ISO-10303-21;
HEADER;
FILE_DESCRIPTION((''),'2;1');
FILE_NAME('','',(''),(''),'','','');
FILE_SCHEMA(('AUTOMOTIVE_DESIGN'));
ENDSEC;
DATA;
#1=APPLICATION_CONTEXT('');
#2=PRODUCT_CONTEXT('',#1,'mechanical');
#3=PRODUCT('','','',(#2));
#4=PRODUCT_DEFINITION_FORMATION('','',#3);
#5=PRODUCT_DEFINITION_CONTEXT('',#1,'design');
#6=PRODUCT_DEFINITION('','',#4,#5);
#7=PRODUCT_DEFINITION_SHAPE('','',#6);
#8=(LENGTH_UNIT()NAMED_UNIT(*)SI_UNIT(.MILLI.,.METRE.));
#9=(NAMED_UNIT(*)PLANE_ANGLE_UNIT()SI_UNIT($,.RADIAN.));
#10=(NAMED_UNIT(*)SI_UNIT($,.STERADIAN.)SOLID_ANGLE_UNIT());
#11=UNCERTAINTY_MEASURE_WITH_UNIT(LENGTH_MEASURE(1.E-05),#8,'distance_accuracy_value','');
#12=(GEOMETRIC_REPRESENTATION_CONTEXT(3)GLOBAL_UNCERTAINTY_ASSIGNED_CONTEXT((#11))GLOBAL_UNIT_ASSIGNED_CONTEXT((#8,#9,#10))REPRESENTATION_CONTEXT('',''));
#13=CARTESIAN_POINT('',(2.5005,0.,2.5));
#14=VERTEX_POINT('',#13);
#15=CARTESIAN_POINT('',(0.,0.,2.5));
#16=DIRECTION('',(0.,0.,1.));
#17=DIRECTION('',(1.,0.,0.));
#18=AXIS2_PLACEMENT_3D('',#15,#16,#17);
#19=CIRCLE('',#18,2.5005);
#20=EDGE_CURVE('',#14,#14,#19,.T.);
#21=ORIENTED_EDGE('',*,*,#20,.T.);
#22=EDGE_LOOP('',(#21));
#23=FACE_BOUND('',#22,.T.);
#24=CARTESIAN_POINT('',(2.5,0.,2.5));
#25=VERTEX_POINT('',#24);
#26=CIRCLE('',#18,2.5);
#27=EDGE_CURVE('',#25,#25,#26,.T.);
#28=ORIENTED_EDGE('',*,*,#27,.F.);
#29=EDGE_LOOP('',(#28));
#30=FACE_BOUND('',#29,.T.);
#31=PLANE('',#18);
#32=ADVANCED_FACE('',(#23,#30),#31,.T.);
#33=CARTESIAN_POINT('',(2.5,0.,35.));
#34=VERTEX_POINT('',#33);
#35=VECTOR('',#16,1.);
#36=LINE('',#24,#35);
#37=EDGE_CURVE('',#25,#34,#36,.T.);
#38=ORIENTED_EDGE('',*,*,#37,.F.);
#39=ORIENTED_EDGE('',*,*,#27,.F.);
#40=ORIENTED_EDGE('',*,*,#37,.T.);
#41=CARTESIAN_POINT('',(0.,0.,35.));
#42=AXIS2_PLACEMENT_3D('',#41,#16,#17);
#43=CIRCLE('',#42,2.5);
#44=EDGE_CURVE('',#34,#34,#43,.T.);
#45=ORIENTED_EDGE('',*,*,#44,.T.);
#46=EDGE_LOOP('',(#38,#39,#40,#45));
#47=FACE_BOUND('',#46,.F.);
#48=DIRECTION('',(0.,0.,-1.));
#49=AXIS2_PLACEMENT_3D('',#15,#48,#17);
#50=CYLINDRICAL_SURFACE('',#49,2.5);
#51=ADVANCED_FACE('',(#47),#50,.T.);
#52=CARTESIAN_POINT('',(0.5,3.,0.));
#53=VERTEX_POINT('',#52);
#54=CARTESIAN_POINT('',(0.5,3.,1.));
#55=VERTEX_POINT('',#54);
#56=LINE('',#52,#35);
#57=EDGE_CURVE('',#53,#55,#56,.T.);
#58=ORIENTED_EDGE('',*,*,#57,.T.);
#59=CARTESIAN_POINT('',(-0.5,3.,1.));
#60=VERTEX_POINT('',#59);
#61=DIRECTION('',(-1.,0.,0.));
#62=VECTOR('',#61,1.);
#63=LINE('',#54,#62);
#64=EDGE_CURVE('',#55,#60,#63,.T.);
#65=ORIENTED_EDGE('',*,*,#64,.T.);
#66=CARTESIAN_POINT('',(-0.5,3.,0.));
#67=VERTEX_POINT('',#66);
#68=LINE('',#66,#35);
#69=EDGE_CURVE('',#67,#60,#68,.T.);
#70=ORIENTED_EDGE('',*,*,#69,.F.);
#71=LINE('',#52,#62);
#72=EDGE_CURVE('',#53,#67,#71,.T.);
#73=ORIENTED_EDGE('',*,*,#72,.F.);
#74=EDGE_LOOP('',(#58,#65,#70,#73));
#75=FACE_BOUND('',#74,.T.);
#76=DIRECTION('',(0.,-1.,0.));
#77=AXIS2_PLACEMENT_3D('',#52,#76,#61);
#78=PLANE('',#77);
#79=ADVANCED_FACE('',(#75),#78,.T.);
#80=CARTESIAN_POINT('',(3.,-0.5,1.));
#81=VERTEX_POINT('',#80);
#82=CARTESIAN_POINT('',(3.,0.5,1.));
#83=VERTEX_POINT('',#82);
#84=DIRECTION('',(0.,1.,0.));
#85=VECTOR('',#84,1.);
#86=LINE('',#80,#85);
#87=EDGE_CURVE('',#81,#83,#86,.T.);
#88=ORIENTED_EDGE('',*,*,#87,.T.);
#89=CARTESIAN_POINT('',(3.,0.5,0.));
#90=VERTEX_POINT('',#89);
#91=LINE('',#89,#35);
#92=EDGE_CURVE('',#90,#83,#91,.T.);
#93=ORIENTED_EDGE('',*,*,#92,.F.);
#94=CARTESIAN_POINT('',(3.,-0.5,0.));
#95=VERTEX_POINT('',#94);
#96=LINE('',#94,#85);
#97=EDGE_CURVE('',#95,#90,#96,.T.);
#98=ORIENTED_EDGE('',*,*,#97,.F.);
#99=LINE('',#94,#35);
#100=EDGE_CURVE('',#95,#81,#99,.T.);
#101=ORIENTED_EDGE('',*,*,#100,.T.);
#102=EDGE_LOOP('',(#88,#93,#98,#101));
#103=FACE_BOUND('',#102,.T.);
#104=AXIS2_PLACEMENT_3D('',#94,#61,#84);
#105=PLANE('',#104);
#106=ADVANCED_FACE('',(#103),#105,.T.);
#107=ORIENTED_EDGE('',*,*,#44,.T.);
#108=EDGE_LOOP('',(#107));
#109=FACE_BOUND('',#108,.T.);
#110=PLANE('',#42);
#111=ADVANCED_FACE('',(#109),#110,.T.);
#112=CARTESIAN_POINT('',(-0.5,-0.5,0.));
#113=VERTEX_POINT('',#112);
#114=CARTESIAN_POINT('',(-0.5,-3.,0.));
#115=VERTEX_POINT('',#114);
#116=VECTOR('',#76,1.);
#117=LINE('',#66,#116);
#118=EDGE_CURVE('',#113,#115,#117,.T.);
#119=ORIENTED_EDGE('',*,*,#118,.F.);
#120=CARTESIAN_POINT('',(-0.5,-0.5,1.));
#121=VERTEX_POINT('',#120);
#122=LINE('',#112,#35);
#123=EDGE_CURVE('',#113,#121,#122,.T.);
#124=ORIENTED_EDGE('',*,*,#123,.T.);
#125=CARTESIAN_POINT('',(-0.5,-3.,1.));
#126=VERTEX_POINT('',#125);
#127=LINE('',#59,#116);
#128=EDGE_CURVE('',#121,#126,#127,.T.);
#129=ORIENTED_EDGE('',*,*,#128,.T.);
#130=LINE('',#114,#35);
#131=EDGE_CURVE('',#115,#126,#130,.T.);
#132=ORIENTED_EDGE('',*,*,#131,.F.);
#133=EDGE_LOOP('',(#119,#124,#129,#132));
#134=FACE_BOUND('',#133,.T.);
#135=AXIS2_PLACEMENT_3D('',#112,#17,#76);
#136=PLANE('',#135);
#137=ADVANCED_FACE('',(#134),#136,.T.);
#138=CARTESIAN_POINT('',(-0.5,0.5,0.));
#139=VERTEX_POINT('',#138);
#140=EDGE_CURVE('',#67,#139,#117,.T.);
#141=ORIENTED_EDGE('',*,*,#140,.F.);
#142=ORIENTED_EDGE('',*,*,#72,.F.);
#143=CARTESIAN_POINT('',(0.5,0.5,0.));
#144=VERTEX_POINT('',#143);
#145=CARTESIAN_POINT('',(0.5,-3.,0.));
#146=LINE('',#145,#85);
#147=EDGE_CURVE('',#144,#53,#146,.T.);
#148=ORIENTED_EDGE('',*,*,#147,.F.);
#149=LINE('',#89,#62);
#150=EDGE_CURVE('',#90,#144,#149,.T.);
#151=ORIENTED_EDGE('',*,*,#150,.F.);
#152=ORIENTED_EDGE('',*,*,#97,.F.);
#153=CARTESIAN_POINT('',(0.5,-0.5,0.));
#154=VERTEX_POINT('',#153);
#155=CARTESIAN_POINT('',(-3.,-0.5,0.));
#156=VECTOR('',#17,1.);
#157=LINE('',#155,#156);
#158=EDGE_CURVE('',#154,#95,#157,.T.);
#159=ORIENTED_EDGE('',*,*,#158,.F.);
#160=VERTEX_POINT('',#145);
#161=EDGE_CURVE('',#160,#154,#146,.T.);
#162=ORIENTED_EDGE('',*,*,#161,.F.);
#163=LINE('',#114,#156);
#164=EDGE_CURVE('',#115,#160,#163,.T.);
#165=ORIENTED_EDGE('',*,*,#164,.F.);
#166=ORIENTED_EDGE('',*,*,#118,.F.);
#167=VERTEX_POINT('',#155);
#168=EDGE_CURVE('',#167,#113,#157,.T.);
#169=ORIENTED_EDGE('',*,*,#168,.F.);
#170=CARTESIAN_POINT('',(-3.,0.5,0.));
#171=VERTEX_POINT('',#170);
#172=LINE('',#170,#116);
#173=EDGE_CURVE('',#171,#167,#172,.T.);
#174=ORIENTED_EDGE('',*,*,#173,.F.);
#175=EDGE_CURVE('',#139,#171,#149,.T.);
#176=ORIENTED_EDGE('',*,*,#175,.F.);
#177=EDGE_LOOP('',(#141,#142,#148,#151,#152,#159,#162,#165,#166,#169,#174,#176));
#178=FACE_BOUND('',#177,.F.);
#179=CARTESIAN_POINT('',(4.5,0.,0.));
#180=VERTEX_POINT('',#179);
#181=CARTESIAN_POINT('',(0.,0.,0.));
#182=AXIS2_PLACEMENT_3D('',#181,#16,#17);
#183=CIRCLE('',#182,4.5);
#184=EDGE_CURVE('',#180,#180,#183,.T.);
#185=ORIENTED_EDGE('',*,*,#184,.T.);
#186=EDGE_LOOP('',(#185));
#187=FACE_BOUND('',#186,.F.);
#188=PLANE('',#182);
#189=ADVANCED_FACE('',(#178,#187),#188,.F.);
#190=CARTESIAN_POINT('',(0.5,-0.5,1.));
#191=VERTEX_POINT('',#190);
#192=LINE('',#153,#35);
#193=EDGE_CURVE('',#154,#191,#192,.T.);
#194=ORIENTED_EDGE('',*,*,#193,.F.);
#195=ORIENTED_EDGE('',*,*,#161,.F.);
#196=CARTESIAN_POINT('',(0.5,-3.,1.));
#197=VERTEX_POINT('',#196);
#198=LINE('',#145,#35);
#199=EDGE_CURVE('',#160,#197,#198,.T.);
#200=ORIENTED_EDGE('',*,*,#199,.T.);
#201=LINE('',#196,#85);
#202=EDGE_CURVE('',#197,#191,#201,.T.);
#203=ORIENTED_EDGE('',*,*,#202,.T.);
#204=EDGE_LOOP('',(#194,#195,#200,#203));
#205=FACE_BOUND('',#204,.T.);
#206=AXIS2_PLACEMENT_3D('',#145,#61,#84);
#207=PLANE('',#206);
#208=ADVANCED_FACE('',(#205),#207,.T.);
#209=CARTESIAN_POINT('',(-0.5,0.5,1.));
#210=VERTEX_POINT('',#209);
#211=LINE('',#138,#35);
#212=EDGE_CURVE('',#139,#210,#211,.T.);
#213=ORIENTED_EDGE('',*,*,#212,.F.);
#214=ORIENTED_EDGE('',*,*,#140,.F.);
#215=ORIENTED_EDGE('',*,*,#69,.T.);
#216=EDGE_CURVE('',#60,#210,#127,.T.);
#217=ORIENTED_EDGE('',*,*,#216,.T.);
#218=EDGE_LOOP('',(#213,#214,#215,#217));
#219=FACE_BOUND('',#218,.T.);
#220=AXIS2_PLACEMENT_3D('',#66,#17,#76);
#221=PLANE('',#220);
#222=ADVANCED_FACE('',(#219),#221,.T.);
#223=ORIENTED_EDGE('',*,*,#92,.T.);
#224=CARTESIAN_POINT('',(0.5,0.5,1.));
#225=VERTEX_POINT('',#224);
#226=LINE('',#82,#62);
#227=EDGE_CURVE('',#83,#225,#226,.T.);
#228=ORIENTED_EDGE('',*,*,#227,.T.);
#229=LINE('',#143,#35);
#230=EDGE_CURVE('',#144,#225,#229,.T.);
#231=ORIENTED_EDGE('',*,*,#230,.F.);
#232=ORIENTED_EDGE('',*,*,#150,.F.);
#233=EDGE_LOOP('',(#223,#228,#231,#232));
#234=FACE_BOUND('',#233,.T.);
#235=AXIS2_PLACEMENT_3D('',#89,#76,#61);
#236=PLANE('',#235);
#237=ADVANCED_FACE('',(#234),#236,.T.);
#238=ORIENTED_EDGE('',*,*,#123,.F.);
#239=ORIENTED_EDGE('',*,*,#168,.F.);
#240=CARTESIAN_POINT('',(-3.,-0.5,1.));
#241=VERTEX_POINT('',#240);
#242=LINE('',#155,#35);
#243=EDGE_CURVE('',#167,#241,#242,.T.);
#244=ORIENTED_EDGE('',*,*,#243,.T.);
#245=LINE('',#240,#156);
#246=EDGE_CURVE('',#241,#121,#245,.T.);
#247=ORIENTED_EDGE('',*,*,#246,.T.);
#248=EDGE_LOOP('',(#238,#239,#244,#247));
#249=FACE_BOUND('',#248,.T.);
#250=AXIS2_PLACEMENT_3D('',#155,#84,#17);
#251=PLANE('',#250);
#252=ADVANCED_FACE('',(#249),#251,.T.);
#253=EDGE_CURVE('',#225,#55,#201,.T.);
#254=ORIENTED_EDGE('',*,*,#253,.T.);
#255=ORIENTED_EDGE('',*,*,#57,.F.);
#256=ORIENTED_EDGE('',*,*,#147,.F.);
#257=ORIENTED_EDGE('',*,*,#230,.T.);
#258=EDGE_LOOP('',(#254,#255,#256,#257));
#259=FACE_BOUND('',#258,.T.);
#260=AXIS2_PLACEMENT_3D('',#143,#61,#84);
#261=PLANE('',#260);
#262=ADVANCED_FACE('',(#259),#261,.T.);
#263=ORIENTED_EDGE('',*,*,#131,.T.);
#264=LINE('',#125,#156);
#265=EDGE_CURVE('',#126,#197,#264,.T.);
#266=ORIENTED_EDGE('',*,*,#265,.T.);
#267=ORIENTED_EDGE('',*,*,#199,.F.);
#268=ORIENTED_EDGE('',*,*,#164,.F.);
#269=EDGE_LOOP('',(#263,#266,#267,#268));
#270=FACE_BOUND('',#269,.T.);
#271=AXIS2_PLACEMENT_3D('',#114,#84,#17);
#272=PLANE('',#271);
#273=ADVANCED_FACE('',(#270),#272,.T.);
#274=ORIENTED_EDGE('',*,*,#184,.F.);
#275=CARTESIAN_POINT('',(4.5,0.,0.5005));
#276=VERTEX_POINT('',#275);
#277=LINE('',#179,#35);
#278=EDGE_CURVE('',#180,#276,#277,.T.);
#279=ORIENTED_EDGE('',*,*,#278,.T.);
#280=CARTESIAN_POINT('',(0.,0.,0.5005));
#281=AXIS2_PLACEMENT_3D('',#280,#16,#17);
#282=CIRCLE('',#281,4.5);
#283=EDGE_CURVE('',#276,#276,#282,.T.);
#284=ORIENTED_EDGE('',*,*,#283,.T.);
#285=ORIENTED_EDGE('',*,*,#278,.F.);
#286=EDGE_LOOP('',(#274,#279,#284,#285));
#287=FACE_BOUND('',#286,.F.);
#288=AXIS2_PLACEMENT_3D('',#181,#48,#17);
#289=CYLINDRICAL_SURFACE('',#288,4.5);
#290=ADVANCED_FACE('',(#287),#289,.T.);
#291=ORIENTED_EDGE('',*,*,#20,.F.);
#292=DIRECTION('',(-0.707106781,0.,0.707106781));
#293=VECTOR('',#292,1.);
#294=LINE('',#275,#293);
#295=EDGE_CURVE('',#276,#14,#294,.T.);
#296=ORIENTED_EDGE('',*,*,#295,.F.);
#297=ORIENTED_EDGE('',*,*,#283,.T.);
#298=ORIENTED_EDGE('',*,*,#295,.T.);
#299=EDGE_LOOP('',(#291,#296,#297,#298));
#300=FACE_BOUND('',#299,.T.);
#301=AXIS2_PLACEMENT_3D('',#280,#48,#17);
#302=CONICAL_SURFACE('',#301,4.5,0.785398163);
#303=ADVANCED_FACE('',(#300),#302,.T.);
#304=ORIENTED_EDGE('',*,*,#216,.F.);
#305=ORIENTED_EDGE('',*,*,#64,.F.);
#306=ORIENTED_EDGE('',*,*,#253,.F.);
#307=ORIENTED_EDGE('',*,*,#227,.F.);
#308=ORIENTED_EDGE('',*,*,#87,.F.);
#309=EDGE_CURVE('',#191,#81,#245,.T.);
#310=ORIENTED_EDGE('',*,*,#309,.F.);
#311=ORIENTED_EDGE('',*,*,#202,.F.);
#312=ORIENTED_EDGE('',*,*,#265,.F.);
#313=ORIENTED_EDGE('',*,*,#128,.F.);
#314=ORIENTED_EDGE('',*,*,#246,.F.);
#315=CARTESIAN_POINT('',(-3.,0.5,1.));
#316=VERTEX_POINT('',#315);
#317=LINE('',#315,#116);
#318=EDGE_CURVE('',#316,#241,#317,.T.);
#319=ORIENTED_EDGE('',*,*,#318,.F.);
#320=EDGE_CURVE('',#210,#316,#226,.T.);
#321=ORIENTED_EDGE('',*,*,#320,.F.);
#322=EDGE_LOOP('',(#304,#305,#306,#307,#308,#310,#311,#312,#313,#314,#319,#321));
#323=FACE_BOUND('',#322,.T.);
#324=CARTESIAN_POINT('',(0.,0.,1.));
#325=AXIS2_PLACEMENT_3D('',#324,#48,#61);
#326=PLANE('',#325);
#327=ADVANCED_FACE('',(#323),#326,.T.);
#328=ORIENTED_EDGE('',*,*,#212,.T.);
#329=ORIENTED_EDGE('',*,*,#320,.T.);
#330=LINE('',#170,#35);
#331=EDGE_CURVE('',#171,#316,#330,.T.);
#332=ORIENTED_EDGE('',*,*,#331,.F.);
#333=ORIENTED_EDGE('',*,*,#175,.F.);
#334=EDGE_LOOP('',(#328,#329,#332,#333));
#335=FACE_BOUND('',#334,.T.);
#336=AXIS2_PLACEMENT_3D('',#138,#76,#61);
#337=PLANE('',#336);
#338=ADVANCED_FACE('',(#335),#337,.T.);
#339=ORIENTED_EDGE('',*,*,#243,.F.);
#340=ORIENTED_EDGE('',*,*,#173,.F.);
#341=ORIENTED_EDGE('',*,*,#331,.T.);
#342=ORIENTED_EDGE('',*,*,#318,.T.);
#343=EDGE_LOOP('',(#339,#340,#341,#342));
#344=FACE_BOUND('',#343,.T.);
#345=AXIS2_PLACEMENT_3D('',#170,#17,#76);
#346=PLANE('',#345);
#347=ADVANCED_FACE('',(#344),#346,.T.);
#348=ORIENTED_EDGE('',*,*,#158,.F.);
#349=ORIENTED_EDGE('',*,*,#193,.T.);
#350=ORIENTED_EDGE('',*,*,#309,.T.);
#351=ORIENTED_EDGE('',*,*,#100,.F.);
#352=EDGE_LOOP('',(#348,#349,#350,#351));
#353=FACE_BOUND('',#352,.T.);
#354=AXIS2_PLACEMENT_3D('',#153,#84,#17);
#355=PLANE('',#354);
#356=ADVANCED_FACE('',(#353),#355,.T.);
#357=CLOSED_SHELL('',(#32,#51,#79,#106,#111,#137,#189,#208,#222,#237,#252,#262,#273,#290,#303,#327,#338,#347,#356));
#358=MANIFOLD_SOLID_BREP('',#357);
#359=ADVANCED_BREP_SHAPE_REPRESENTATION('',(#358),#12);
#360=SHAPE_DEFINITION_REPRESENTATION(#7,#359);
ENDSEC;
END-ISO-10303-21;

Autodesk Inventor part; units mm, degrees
ref_plane "YZ Plane" through (0, 0, 0) normal (1, 0, 0) x (0, 1, 0)
ref_plane "XZ Plane" through (0, 0, 0) normal (0, 1, 0) x (-1, 0, 0)
ref_plane "XY Plane" through (0, 0, 0) normal (0, 0, 1) x (1, 0, 0)
sketch "Эскиз1" plane through (0, 0, 0) normal (0, 0, 1) x (1, 0, 0)
  circle A0 centre (0, 0) radius 4.5
  dimension "d0" = 9
extrude "Выдавливание1" add sketch "Эскиз1" along normal blind 2.5
sketch "Эскиз2" plane through (0, 0, 2.5) normal (0, 0, 1) x (1, 0, 0)
  circle A0 centre (0, 0) radius 2.5
  dimension "d3" = 5
extrude "Выдавливание2" add sketch "Эскиз2" along normal blind 32.5
chamfer "Фаска1" distance 2 angle 45 1 edges at (-4.5, 0, 2.5)
thread "Резьба1" size "M5x0.8" class "6g" standard "ANSI Metric M Profile" full length
sketch "Эскиз3" plane through (0, 0, 0) normal (0, 0, -1) x (-1, 0, 0)
  line L0 (-3, 0.5) -> (3, 0.5)
  line L1 (3, 0.5) -> (3, -0.5)
  line L2 (3, -0.5) -> (-3, -0.5)
  line L3 (-3, -0.5) -> (-3, 0.5)
  line L4 (-0.5, 3) -> (0.5, 3)
  line L5 (0.5, 3) -> (0.5, -3)
  line L6 (0.5, -3) -> (-0.5, -3)
  line L7 (-0.5, -3) -> (-0.5, 3)
  line L8 (0, 3) -> (0, -3) construction
  line L9 (-3, 0) -> (3, 0) construction
  point P0 (0, 0)
  point P1 (0, 0)
  point P2 (-0.5, 0.5)
  point P3 (-0.5, -0.5)
  point P4 (0.5, 0.5)
  point P5 (0.5, -0.5)
  dimension "d12" = 1
  dimension "d13" = 6
extrude "Выдавливание3" cut sketch "Эскиз3" against normal blind 1
properties part number "Болт М5х35"
